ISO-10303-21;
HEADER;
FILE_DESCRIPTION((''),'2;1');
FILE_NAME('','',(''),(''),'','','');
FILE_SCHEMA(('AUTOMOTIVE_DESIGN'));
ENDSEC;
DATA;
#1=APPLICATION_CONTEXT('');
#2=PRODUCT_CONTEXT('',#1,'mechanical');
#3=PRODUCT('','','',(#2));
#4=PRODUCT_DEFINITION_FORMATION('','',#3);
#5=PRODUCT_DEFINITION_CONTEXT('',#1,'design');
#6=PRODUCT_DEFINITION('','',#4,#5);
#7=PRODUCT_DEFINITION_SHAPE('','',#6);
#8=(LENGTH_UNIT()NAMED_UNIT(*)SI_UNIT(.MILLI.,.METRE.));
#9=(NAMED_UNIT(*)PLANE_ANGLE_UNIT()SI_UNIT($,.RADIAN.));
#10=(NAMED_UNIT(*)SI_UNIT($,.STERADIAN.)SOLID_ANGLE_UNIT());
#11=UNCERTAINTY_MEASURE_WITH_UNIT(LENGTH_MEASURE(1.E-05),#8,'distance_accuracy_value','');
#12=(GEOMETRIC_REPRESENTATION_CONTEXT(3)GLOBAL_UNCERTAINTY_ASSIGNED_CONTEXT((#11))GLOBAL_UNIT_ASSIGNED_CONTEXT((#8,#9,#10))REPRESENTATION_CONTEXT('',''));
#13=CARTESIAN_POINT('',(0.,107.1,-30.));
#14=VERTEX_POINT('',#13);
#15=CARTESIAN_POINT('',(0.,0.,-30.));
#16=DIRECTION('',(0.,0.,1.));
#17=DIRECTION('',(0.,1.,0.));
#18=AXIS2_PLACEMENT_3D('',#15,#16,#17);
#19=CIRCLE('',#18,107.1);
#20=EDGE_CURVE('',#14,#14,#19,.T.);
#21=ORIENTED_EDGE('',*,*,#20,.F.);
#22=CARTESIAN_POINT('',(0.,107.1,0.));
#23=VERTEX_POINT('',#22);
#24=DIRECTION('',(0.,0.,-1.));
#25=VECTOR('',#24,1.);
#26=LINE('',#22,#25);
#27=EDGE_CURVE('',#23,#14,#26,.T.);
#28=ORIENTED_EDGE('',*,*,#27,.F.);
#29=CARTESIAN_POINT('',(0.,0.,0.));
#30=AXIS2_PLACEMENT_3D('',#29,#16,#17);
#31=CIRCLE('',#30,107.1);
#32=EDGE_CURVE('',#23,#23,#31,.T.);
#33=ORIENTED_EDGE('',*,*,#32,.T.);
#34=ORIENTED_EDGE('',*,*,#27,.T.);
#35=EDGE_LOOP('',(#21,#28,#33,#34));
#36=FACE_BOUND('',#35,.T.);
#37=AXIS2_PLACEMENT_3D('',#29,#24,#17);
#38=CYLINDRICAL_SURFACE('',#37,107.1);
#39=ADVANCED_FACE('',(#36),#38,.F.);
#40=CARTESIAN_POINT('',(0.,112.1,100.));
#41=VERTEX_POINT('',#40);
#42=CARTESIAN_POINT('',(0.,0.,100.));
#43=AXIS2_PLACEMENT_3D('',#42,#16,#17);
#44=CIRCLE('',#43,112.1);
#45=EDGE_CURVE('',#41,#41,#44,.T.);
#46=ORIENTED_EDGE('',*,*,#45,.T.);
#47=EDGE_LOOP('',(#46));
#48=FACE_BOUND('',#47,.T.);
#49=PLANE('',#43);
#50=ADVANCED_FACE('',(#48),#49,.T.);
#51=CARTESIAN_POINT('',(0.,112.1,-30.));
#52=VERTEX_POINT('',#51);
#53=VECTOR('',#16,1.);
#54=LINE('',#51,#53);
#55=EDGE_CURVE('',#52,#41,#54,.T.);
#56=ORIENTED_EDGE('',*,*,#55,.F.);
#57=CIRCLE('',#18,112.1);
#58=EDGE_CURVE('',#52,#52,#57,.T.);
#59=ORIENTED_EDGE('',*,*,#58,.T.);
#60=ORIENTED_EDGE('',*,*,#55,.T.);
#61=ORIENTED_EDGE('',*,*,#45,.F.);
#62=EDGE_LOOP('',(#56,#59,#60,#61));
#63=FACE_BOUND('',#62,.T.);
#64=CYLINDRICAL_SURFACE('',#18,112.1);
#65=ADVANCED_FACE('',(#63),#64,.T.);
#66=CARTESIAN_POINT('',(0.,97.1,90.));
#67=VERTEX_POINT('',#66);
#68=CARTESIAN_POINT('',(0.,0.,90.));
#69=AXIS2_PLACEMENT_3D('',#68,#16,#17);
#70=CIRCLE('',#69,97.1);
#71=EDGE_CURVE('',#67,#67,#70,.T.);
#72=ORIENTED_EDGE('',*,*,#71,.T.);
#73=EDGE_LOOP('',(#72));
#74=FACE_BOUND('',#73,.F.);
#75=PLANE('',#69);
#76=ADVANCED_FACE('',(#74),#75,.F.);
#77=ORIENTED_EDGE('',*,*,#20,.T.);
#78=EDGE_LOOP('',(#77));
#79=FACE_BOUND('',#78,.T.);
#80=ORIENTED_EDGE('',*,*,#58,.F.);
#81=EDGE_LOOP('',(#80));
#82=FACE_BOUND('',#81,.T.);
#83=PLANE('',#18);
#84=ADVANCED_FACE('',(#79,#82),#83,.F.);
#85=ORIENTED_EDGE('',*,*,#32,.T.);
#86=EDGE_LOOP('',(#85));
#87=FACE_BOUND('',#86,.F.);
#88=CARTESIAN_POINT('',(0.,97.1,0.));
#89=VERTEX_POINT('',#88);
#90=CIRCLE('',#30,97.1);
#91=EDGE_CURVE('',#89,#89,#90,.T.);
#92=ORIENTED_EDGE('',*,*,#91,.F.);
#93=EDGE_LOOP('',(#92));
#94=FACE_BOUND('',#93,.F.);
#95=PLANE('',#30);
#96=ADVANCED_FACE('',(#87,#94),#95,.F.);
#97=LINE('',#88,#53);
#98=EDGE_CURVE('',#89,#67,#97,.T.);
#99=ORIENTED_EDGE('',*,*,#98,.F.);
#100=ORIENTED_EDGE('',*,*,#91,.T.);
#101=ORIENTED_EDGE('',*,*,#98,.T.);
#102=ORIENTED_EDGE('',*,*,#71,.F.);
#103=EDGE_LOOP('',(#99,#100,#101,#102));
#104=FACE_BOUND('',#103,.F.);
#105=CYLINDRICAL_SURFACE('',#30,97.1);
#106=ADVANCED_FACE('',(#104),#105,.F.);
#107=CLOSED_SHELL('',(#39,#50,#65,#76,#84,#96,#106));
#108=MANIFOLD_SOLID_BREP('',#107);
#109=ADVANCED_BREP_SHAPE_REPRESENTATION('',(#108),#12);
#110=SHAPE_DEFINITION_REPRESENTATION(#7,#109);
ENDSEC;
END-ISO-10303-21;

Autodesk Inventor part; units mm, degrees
ref_plane "YZ Plane" through (0, 0, 0) normal (1, 0, 0) x (0, 1, 0)
ref_plane "XZ Plane" through (0, 0, 0) normal (0, 1, 0) x (-1, 0, 0)
ref_plane "XY Plane" through (0, 0, 0) normal (0, 0, 1) x (1, 0, 0)
sketch "Sketch1" plane through (0, 0, 0) normal (1, 0, 0) x (0, 1, 0)
  line L0 (106.6, 0) -> (106.6, -254) construction
  line L1 (101.6, -254) -> (101.6, 0) construction
  line L2 (-106.6, 0) -> (106.6, 0) construction
  line L3 (107.1, 0) -> (107.1, -30)
  line L4 (107.1, -30) -> (112.1, -30)
  line L5 (112.1, -30) -> (112.1, 100)
  line L6 (112.1, 100) -> (0, 100)
  line L7 (107.1, 0) -> (97.1, 0)
  line L8 (97.1, 0) -> (97.1, 90)
  line L9 (97.1, 90) -> (0, 90)
  line L10 (0, 90) -> (0, 100)
  point P0 (0, 0)
  point P1 (0, 0)
  dimension "d2" = 5
  dimension "d4" = 0.5
  dimension "d5" = 30
  dimension "d6" = 100
  dimension "d8" = 10
  dimension "d9" = 10
revolve "Revolution1" add sketch "Sketch1" angle 360 about axis through (0, 0, 90) along (0, 0, 1)
properties part number "BackCapV1"
